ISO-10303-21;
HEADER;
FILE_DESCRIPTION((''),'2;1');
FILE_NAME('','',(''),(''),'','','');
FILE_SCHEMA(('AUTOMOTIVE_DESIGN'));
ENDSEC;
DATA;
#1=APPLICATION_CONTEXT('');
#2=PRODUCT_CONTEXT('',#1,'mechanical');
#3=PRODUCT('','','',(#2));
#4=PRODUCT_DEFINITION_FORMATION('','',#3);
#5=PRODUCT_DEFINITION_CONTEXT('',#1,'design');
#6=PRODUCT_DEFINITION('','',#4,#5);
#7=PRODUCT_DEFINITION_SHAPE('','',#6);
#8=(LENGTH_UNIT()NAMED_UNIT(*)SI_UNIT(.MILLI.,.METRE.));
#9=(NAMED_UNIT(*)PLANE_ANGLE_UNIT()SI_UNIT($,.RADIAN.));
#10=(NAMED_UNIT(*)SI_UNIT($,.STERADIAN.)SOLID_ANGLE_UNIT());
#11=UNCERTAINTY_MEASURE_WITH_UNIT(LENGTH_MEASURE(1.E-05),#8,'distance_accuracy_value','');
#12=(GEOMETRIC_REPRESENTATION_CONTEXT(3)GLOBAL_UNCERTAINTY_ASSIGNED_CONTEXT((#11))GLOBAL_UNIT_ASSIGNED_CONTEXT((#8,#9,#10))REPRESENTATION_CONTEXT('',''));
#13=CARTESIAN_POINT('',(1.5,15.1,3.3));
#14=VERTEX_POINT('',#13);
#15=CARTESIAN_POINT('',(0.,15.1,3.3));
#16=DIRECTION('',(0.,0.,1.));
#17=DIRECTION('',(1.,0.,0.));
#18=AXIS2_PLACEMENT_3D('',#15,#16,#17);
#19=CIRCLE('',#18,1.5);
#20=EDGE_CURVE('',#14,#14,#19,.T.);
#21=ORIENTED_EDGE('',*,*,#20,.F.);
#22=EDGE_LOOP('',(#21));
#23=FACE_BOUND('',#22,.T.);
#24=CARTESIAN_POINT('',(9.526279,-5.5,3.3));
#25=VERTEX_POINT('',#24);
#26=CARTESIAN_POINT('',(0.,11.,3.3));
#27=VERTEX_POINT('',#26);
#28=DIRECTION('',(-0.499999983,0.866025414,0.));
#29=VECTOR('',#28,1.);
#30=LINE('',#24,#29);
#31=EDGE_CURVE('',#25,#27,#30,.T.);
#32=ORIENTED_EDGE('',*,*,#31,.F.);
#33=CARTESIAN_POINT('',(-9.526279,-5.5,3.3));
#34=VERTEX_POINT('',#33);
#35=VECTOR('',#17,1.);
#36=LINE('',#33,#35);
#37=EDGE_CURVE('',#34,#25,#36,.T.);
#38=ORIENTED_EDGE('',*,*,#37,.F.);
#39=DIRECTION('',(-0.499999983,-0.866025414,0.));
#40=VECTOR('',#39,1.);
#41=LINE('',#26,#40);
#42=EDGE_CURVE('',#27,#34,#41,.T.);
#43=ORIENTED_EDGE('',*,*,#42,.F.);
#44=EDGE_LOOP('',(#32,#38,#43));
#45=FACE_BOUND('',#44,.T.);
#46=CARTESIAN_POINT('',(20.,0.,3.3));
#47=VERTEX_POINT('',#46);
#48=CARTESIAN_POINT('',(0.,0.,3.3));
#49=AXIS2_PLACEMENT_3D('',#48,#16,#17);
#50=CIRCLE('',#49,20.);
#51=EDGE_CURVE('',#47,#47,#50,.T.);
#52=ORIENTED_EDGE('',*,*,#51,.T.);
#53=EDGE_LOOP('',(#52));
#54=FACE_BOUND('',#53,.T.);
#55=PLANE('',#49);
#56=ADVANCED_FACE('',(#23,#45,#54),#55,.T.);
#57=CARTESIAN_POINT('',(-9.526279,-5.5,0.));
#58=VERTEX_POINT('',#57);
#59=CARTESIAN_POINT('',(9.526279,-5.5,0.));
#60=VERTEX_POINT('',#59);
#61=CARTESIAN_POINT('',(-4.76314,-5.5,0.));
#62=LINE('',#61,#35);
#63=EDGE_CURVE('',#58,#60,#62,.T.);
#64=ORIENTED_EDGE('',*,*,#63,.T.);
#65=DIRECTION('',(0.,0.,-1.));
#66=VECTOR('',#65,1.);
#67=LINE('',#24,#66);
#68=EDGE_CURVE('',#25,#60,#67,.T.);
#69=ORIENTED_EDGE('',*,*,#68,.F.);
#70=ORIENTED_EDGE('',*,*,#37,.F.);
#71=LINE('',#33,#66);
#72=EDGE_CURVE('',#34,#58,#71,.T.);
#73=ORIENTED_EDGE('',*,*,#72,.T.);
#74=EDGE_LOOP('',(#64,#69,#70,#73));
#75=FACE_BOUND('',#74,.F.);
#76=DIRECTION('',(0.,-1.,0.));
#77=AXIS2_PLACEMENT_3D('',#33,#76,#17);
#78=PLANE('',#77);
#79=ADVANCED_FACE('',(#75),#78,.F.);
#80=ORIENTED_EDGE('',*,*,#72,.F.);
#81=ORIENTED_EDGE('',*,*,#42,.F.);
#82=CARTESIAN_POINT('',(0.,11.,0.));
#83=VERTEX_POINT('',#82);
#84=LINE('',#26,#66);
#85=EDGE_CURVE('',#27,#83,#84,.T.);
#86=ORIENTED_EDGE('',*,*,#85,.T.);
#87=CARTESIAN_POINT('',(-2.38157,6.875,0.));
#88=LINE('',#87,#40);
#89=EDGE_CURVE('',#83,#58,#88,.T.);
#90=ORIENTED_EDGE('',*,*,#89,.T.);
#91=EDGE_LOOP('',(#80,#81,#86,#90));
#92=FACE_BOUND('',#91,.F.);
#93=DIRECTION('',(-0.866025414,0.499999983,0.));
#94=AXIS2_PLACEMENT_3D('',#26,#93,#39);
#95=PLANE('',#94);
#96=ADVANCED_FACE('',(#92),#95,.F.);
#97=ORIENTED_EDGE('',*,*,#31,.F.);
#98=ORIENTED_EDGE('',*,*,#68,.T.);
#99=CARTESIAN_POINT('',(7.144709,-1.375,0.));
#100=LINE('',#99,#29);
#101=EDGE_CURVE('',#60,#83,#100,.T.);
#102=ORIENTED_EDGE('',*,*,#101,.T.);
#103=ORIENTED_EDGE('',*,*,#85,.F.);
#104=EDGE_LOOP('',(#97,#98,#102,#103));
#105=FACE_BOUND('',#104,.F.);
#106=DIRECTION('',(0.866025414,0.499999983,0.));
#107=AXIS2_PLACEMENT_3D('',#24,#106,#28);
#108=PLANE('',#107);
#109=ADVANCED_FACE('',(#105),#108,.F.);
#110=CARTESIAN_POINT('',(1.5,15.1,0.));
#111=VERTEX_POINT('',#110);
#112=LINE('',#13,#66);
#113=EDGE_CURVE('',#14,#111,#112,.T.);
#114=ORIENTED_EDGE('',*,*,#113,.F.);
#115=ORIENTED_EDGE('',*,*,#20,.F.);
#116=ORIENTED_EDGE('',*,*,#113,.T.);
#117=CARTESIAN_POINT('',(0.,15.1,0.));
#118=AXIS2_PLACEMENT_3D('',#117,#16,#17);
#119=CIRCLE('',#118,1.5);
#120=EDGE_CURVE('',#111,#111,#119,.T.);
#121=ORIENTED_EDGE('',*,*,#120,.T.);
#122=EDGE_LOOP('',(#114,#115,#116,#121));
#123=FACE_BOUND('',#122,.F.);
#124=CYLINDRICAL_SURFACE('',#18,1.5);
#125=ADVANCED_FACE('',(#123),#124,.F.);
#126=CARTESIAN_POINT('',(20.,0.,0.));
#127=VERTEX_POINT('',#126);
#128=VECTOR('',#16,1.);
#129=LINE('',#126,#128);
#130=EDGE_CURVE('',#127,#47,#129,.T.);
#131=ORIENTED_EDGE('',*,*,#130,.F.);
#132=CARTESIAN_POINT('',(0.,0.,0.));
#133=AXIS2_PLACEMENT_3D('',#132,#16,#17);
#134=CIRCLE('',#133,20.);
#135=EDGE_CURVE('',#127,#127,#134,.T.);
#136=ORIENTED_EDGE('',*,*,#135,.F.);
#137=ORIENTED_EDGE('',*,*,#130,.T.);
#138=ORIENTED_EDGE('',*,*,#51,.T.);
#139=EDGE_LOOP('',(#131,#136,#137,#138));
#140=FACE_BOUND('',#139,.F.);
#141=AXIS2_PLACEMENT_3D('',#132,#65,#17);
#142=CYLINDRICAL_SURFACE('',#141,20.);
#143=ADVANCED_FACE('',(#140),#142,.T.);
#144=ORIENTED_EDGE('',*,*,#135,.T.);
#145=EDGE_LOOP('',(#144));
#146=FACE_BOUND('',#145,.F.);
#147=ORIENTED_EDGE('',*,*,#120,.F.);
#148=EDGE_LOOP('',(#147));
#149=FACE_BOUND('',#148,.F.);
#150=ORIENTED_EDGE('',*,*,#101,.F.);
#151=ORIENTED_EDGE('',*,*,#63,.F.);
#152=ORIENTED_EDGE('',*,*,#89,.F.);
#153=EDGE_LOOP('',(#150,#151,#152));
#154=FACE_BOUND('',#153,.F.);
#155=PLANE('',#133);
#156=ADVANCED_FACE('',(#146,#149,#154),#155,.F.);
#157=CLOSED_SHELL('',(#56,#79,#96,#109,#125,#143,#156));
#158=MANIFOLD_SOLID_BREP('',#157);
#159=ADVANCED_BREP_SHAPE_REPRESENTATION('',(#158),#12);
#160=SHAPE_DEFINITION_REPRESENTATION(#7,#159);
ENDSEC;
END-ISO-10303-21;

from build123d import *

# Parameters (mm, degrees)
CYLINDER_R      = 20
CYLINDER_DEPTH  = 3.3
SKETCH_R        = 1.5
POCKET_DEPTH    = 3.301
POCKET001_DEPTH = 5


with BuildPart() as part:
    # Cylinder → Cylinder (new body)
    with BuildSketch(Plane.XY):
        Circle(CYLINDER_R)
    extrude(amount=CYLINDER_DEPTH)

    # Sketch → Pocket (cut, through all)
    with BuildSketch(Plane.XY.offset(3.3)):
        with Locations((0, 15.1)):
            Circle(SKETCH_R)
    extrude(amount=-POCKET_DEPTH, mode=Mode.SUBTRACT)

    # Sketch001 → Pocket001 (cut)
    with BuildSketch(Plane.XY.offset(3.3)):
        Polygon((0, 11), (-9.526279, -5.5), (9.526279, -5.5), align=None)
    extrude(amount=-POCKET001_DEPTH, mode=Mode.SUBTRACT)


solid = part.part
